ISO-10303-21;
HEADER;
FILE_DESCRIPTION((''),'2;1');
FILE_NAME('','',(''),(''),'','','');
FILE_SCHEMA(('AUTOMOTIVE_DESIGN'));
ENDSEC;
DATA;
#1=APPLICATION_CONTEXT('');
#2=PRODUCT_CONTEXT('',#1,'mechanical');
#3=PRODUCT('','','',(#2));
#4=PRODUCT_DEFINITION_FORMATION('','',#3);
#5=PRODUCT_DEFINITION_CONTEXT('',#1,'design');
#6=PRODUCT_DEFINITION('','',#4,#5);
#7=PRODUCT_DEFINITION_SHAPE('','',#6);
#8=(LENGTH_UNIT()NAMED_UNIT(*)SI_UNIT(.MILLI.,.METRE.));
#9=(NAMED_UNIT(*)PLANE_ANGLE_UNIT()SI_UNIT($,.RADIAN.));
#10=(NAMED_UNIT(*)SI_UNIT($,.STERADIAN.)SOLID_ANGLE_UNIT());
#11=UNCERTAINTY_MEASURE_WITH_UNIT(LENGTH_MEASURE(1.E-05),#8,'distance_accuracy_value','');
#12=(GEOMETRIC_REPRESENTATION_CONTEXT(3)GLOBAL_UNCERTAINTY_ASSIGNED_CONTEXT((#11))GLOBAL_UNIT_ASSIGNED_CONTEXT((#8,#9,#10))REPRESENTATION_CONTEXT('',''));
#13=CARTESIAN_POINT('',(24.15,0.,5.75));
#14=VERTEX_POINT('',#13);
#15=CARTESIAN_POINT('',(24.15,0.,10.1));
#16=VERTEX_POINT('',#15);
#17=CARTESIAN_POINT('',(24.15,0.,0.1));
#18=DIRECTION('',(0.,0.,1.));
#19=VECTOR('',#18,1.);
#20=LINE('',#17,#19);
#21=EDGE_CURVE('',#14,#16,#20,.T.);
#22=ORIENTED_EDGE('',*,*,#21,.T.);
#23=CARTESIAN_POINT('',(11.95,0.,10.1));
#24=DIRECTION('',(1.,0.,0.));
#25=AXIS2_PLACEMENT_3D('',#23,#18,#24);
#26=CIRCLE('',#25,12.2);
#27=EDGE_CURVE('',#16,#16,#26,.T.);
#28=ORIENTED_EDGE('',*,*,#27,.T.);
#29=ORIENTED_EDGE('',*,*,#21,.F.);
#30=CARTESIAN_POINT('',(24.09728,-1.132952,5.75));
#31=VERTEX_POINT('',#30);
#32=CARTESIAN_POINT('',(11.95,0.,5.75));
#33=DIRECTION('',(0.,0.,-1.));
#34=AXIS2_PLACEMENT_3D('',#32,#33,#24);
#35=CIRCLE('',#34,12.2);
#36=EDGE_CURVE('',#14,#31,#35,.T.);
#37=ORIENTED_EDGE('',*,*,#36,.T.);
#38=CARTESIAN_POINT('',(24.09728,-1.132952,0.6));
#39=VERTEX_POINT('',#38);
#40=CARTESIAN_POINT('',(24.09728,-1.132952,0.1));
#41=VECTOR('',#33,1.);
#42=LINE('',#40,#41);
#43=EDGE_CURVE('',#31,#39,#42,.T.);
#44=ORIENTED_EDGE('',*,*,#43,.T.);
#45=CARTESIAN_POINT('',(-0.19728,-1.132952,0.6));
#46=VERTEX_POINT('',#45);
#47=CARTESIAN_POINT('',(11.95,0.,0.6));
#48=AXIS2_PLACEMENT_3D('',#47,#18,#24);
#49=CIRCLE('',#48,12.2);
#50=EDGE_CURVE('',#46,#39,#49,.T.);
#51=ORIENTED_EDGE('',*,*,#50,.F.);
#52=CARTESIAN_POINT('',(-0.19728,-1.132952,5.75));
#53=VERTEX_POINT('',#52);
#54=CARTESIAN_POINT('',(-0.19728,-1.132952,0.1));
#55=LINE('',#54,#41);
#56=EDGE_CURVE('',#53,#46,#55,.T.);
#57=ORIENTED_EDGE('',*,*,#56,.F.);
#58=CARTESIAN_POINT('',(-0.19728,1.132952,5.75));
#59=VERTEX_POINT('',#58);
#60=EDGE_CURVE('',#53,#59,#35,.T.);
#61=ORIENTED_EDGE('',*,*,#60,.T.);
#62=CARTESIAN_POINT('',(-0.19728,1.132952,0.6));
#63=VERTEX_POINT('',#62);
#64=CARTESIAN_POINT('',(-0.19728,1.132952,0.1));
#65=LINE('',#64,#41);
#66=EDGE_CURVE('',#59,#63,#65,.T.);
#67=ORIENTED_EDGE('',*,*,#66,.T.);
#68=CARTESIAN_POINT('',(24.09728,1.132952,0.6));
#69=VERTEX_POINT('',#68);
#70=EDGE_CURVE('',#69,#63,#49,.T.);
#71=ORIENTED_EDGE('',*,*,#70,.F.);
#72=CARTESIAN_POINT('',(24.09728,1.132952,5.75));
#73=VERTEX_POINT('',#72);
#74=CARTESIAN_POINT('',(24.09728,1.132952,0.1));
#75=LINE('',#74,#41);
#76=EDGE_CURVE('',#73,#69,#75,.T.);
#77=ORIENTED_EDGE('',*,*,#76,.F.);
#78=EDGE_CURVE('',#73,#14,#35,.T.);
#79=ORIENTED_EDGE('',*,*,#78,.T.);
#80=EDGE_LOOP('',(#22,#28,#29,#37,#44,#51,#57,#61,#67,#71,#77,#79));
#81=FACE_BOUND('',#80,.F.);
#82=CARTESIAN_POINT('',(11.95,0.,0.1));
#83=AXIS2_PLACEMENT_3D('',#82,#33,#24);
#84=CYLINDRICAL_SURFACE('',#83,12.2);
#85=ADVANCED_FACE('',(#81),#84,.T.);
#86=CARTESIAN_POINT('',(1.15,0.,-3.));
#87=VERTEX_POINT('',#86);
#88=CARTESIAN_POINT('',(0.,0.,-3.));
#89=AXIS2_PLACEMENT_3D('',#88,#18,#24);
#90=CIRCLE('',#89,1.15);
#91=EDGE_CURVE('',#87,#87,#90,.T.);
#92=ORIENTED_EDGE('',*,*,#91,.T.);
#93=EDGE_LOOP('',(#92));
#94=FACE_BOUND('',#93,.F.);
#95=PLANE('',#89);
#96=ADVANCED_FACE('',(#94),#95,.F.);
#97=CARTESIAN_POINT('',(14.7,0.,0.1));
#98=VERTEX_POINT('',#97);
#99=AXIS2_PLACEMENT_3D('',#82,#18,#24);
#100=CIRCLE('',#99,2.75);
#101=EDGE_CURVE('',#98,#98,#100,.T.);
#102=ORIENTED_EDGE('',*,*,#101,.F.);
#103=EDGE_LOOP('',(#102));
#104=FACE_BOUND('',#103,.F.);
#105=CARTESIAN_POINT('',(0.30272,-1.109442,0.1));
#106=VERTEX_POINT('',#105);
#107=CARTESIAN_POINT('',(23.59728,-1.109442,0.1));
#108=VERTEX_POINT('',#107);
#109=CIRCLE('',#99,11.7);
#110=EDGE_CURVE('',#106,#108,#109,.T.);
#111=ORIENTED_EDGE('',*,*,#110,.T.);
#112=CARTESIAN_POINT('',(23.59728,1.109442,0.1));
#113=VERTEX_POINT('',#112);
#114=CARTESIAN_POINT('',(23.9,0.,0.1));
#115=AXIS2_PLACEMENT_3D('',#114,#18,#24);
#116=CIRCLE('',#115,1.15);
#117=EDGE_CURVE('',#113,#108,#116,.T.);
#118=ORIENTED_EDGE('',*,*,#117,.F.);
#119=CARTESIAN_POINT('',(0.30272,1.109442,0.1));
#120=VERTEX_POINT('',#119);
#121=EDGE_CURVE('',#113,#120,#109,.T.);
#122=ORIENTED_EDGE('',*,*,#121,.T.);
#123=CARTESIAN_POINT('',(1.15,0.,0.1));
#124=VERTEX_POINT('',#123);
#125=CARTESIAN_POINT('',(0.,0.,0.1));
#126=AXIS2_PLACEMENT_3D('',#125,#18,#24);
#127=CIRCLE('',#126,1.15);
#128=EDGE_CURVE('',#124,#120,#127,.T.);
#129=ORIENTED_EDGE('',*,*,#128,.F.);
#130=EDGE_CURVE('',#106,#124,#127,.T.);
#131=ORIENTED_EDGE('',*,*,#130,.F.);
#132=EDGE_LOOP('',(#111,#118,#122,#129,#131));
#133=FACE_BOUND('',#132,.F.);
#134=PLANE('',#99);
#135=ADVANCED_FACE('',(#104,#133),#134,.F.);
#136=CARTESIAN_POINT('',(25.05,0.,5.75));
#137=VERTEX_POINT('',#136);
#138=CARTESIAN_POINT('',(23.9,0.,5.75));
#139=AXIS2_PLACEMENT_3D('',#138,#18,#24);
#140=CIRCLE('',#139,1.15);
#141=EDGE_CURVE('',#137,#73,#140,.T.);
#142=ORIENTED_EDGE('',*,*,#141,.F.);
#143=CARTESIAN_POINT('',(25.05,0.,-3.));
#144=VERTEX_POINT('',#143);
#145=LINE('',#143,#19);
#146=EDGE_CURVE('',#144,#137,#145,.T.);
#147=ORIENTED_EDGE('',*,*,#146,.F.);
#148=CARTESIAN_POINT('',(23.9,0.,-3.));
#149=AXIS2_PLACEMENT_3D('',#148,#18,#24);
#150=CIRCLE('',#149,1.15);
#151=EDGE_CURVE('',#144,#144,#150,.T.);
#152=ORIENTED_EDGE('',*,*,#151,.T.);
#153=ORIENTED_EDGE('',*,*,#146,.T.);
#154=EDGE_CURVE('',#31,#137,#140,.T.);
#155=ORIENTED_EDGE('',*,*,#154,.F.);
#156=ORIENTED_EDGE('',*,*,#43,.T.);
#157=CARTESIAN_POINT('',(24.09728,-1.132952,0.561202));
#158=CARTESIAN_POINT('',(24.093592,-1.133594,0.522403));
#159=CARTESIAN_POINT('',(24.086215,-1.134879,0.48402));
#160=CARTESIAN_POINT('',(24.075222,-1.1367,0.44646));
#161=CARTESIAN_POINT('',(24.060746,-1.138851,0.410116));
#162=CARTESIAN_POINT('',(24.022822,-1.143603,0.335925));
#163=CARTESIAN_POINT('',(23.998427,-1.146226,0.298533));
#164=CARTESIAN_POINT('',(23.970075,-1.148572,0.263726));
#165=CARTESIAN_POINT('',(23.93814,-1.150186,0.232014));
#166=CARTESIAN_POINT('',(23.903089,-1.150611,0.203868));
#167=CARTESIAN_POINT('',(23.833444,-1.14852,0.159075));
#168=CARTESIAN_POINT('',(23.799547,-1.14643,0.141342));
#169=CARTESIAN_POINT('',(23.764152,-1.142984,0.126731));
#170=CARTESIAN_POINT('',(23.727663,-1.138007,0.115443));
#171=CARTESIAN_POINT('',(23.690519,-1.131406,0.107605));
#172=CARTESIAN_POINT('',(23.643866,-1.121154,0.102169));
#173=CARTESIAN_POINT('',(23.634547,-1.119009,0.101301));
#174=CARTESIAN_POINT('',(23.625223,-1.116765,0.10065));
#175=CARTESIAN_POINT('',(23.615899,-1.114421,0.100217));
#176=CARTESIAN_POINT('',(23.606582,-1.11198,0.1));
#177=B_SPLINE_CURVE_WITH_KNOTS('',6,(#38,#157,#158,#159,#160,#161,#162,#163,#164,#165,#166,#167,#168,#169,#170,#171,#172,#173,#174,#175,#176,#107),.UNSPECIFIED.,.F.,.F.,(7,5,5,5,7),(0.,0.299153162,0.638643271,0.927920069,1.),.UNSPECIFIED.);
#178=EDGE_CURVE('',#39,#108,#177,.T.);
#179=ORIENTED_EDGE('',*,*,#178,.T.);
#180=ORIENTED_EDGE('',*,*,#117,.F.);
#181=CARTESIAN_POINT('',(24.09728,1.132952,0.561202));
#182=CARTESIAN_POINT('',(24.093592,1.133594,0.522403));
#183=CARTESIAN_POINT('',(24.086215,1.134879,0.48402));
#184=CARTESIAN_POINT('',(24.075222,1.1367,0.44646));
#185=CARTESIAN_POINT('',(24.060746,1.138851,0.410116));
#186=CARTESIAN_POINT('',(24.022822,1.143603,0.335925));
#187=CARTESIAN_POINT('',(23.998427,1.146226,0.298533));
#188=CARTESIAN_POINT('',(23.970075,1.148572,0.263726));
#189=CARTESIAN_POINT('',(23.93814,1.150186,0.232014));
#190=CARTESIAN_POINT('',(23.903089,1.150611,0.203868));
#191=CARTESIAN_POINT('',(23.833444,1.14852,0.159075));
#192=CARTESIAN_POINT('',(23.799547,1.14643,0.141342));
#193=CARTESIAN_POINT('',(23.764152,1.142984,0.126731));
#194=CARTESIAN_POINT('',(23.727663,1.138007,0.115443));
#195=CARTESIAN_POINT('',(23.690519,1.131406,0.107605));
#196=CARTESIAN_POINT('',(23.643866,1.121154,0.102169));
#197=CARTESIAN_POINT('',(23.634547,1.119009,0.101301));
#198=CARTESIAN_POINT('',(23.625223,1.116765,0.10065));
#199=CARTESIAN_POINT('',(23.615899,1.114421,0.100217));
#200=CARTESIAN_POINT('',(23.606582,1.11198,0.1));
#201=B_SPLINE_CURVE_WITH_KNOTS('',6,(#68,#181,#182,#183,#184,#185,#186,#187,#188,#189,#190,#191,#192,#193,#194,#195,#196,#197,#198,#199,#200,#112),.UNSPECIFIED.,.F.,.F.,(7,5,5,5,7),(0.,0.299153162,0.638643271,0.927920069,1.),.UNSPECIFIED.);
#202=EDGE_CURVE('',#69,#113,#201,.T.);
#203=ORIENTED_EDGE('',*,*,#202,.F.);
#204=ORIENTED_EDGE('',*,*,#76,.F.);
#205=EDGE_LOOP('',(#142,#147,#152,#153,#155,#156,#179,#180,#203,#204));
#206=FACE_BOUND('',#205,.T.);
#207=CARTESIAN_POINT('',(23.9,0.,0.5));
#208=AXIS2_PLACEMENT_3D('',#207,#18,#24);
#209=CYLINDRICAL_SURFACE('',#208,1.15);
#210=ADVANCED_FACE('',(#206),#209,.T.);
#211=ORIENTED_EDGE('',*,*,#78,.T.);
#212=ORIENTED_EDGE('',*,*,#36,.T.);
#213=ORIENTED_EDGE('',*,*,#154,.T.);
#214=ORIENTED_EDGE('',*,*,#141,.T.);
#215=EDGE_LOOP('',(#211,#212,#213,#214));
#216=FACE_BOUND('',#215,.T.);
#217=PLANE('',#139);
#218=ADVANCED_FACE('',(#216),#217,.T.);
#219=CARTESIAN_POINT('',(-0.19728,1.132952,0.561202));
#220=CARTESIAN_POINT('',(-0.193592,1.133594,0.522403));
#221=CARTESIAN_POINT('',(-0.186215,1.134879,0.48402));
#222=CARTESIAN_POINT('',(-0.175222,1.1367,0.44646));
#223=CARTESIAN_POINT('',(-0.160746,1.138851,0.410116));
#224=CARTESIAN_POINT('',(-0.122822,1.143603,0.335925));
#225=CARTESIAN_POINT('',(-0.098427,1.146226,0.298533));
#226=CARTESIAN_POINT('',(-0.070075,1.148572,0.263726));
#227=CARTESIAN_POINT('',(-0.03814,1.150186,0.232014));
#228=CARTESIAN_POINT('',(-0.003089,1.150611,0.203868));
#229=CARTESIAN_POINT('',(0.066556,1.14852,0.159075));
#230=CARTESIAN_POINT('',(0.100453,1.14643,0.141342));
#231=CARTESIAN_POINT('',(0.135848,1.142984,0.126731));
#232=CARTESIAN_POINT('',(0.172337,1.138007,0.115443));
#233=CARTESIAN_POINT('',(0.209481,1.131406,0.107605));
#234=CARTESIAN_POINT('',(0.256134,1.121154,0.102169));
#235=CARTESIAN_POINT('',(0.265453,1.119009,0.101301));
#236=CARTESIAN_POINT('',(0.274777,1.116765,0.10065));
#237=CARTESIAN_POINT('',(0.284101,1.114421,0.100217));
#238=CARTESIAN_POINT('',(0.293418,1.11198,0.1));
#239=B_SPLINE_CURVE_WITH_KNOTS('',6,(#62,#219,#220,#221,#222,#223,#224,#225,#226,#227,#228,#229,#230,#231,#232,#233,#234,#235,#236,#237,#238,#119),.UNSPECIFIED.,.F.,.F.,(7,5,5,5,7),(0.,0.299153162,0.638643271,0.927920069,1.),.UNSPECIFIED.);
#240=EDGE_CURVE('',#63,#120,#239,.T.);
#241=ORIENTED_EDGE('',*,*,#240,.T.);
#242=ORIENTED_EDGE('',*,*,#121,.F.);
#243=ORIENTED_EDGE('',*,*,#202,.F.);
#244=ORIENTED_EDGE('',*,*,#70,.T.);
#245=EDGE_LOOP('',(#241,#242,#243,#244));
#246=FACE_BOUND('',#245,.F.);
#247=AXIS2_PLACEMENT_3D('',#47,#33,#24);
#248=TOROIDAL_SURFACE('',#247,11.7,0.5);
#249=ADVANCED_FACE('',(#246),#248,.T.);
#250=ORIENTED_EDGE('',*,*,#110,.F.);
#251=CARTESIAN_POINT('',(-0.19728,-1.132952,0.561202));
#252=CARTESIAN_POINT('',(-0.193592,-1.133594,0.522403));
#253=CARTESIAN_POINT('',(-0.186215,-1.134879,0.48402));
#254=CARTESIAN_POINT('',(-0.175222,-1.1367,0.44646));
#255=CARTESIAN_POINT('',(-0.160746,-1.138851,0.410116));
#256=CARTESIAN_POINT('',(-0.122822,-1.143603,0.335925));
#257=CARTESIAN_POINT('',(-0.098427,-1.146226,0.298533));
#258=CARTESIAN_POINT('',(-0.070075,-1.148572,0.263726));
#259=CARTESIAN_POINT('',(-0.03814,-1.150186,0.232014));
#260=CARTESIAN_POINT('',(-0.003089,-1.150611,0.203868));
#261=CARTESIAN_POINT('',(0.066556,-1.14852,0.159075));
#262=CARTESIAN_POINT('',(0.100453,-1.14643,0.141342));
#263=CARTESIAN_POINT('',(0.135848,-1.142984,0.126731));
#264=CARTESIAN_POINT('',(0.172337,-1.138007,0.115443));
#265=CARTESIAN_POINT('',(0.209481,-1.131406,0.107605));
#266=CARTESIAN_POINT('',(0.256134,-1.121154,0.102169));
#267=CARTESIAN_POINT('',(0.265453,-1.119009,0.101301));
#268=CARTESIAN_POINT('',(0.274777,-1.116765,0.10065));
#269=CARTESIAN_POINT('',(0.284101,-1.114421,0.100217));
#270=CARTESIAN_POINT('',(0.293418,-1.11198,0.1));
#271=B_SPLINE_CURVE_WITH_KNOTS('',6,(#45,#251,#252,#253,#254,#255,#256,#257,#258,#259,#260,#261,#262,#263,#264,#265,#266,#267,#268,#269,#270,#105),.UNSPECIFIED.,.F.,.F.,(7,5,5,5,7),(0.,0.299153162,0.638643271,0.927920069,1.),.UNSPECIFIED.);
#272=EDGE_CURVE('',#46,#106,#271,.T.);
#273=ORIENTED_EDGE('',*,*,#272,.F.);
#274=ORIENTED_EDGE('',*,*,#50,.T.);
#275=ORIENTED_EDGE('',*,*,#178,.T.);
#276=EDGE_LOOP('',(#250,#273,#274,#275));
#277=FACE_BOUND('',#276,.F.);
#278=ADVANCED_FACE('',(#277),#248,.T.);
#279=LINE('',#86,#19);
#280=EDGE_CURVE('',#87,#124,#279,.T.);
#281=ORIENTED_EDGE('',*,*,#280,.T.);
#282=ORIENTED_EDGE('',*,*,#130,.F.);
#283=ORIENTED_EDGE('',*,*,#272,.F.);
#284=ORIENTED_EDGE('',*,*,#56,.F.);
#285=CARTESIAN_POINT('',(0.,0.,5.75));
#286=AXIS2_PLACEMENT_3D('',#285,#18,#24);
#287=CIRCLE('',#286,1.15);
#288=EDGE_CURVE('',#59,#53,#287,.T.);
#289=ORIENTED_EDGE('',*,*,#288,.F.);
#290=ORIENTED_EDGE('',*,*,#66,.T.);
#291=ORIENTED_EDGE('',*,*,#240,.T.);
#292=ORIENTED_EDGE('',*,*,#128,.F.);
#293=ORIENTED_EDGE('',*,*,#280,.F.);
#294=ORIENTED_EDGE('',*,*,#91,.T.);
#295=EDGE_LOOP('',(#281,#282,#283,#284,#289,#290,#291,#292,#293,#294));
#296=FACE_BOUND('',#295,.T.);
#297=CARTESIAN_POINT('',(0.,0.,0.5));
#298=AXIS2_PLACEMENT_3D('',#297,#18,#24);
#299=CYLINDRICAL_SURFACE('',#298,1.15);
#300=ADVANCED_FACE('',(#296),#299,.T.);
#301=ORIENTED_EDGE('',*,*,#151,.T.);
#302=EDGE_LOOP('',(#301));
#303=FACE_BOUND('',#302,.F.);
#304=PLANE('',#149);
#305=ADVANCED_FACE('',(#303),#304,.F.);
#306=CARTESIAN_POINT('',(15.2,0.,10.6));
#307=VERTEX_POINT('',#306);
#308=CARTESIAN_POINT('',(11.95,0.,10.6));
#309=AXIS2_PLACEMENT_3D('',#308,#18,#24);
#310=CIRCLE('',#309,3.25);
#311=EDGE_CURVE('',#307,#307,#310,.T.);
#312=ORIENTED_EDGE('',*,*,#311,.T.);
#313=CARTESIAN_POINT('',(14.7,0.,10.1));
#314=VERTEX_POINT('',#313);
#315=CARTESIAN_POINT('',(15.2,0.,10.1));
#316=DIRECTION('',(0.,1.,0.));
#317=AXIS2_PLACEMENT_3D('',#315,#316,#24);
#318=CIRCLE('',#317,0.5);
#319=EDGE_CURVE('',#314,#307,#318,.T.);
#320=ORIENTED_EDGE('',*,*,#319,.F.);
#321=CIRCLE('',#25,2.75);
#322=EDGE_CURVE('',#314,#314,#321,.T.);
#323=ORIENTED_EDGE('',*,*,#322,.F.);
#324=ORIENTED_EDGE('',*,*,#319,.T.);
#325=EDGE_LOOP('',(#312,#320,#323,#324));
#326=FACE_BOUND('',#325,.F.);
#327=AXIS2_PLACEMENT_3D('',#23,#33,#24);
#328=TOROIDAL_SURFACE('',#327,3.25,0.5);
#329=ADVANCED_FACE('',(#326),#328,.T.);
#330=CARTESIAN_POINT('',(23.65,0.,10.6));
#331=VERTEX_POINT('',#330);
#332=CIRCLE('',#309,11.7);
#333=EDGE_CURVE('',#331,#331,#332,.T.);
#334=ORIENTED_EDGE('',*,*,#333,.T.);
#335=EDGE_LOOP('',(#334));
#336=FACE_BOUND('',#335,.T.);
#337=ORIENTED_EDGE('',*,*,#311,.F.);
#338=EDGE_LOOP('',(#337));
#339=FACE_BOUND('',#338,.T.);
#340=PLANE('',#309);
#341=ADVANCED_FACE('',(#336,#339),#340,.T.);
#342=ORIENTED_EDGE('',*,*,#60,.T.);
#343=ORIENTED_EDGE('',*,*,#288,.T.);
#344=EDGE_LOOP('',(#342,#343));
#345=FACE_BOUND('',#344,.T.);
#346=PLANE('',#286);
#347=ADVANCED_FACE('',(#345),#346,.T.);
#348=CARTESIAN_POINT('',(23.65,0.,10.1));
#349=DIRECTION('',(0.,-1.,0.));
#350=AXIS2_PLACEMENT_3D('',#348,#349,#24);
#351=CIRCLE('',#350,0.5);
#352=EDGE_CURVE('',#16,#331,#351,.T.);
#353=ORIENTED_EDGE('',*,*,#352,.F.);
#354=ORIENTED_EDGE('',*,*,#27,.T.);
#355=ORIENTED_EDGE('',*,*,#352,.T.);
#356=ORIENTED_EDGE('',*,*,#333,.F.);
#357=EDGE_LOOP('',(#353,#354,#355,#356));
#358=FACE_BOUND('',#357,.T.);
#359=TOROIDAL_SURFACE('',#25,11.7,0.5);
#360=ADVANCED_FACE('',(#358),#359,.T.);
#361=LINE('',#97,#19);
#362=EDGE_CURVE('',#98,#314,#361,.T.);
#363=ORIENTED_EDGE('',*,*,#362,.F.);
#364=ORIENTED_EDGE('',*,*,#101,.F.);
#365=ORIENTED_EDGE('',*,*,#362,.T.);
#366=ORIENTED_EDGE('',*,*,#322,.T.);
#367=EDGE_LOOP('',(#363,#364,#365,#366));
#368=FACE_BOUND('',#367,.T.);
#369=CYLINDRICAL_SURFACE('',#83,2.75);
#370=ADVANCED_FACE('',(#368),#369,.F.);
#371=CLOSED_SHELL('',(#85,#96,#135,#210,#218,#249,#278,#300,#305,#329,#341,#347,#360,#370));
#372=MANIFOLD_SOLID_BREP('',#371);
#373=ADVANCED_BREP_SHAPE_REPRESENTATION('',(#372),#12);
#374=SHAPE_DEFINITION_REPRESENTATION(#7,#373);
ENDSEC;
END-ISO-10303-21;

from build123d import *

# Parameters (mm, degrees)
SKETCH001_R       = 1.15
PAD001_DEPTH      = 5.25
PAD001_DEPTH_BACK = 3.5
SKETCH_R          = 12.2
SKETCH_R_2        = 2.75
PAD_DEPTH         = 10.5
FILLET_R          = 0.5


with BuildPart() as pad001:
    # Sketch001 → Pad001 (new body, two sides)
    with BuildSketch(Plane.XY.offset(0.5)) as pad001_sk:
        Circle(SKETCH001_R)
        with Locations((23.9, 0)):
            Circle(SKETCH001_R)
    extrude(amount=PAD001_DEPTH)
    extrude(pad001_sk.sketch, amount=-PAD001_DEPTH_BACK)


with BuildPart() as fillet_mp_cp:
    # Sketch → Pad (new body)
    with BuildSketch(Plane.XY.offset(0.1)):
        with Locations((11.95, 0)):
            Circle(SKETCH_R)
        with Locations((11.95, 0)):
            Circle(SKETCH_R_2, mode=Mode.SUBTRACT)
    extrude(amount=PAD_DEPTH)

    # Fillet
    fillet_edges = [fillet_mp_cp.edges().sort_by_distance(p)[0] for p in [
        (9.2, 0, 10.6),
        (-0.25, 0, 10.6),
        (-0.25, 0, 0.1),
    ]]
    fillet(fillet_edges, radius=FILLET_R)

    # Fillet_mp_cp: union Pad001
    add(pad001.part)


solid = fillet_mp_cp.part
